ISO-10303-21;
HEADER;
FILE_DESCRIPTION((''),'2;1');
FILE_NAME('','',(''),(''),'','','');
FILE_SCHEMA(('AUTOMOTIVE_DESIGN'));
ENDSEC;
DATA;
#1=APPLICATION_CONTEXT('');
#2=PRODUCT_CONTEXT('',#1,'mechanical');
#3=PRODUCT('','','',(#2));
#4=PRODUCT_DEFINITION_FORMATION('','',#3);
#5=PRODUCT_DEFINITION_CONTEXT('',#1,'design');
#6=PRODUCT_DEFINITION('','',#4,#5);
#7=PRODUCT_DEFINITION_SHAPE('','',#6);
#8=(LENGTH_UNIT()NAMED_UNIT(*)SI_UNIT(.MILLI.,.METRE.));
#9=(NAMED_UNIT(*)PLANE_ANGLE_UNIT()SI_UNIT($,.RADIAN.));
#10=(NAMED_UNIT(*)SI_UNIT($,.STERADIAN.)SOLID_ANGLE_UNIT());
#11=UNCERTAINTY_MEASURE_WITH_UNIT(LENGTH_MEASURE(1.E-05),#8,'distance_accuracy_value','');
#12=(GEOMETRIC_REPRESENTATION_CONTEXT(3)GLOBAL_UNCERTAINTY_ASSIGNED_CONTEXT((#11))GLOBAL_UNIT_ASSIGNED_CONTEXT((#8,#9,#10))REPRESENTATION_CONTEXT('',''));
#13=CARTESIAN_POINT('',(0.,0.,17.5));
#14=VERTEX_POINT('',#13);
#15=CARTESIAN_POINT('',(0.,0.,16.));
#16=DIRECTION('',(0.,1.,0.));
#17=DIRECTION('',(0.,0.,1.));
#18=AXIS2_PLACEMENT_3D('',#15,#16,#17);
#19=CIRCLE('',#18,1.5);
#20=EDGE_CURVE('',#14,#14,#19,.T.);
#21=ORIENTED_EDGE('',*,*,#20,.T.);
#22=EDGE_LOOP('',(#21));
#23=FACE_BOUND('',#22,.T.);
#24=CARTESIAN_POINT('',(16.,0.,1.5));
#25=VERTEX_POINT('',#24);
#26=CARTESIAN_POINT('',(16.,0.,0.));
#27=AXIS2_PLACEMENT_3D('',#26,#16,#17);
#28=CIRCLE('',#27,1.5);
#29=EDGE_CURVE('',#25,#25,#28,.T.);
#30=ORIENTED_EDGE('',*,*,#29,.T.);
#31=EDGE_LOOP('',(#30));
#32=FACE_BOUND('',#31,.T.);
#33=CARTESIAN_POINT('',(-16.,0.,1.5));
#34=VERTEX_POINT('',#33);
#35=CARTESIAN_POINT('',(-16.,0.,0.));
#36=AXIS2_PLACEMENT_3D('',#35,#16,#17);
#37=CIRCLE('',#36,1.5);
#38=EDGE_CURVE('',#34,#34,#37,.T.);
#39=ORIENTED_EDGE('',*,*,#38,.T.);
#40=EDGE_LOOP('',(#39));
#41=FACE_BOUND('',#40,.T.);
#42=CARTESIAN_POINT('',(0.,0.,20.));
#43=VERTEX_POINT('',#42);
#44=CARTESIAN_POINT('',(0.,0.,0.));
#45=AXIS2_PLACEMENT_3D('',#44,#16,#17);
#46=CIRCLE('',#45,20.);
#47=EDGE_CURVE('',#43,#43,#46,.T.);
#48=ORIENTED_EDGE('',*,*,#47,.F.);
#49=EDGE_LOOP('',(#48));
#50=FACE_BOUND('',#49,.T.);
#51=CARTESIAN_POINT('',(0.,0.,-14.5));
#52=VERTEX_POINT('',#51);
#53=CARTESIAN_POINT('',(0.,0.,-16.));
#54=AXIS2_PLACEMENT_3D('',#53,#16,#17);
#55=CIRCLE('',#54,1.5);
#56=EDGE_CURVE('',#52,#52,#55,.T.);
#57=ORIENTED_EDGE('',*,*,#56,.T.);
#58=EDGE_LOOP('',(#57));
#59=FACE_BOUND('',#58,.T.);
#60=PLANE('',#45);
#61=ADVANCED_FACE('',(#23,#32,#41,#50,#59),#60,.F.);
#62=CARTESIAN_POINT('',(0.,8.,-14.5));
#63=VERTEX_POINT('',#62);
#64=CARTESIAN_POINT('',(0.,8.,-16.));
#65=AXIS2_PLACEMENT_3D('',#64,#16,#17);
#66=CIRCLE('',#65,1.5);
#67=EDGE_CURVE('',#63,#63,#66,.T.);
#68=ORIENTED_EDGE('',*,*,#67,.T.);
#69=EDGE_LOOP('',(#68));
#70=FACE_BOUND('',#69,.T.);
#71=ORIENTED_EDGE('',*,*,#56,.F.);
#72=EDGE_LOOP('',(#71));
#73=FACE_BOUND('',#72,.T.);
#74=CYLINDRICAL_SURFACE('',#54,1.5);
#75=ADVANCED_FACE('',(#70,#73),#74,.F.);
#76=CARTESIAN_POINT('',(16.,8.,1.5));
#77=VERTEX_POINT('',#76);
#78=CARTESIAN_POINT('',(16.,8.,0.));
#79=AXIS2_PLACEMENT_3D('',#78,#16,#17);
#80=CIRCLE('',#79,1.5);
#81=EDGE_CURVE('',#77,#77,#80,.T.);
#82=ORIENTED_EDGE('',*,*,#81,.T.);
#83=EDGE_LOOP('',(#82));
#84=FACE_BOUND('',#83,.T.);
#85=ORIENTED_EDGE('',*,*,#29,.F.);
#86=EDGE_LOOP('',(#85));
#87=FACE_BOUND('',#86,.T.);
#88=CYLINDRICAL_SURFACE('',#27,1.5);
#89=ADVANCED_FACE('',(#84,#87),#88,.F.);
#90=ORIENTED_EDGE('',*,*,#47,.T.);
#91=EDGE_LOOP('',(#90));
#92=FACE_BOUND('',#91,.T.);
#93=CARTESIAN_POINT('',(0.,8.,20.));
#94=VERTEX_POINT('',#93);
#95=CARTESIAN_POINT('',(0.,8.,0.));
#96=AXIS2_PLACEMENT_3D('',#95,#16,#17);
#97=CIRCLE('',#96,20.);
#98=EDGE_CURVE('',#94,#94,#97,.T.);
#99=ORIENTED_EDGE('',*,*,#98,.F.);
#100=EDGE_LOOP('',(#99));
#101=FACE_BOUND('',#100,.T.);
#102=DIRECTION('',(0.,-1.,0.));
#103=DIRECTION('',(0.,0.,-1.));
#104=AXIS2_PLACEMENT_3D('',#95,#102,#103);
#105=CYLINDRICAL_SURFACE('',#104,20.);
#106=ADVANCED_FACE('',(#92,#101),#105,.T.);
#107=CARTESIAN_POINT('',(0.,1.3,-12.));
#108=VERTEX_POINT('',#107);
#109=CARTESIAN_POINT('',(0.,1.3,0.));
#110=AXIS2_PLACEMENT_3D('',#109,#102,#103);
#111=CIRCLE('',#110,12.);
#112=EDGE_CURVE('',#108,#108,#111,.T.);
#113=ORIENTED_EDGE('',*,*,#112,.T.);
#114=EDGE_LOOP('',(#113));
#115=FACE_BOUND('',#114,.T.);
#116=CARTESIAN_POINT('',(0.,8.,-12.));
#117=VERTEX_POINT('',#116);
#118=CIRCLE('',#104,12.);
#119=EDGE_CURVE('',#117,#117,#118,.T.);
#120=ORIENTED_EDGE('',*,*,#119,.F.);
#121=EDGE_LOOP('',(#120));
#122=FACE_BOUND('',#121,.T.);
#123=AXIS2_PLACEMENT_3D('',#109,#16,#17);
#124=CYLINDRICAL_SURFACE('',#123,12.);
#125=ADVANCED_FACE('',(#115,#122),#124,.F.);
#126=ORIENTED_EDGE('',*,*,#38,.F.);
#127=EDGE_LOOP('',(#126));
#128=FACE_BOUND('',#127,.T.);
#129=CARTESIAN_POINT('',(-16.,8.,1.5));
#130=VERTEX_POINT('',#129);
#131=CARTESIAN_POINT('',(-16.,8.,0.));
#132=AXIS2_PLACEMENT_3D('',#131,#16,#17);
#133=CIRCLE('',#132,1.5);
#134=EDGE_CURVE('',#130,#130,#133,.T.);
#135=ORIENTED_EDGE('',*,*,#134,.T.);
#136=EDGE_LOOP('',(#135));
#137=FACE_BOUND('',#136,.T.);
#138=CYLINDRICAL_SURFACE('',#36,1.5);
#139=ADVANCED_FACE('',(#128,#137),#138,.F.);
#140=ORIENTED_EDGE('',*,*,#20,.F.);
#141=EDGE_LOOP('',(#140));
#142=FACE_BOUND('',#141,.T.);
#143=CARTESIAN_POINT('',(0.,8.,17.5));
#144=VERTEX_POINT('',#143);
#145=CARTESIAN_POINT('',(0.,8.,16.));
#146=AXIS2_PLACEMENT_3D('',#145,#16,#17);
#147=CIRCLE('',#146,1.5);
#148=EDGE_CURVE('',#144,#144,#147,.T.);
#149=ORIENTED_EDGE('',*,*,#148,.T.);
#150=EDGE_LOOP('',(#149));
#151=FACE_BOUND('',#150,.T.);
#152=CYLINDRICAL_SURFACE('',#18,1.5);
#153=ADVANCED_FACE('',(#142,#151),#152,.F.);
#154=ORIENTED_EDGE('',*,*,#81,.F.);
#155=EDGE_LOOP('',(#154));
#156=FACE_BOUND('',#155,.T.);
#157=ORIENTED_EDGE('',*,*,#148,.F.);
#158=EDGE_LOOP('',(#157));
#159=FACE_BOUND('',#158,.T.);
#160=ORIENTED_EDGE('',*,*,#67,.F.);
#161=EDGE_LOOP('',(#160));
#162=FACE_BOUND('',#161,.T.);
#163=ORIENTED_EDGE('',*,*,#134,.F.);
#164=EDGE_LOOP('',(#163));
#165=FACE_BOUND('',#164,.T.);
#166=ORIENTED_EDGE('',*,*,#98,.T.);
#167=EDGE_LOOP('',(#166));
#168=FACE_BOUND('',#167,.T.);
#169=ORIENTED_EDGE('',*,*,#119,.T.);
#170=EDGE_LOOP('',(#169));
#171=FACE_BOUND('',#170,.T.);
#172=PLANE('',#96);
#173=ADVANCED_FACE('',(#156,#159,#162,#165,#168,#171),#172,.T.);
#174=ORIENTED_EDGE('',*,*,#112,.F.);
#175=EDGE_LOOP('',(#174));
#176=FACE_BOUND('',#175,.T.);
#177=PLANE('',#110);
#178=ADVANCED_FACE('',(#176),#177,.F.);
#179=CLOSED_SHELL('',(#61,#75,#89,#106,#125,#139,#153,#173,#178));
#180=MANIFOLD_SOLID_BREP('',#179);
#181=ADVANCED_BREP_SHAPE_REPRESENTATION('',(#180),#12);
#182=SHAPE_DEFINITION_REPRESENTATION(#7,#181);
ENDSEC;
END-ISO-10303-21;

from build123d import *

# Parameters (mm, degrees)
SKETCH2_R           = 20
BOSS_EXTRUDE1_DEPTH = 8
SKETCH3_R           = 1.5
CUT_EXTRUDE1_DEPTH  = 30.393876913
SKETCH4_R           = 12
CUT_EXTRUDE2_DEPTH  = 6.7


with BuildPart() as part:
    # Sketch2 → Boss-Extrude1 (new body)
    with BuildSketch(Plane(origin=(0, 0, 0), x_dir=(1, 0, 0), z_dir=(0, 1, 0))):
        with Locations(Location((0, 0, 0), (0, 0, 270))):
            Circle(SKETCH2_R)
    extrude(amount=BOSS_EXTRUDE1_DEPTH)

    # Sketch3 → Cut-Extrude1 (cut, through all)
    with BuildSketch(Plane(origin=(0, 8, 0), x_dir=(1, 0, 0), z_dir=(0, 1, 0))):
        with Locations(Location((0, 16, 0), (0, 0, 270))):
            Circle(SKETCH3_R)
        with Locations(Location((-16, 0, 0), (0, 0, 270))):
            Circle(SKETCH3_R)
        with Locations(Location((16, 0, 0), (0, 0, 270))):
            Circle(SKETCH3_R)
        with Locations(Location((0, -16, 0), (0, 0, 270))):
            Circle(SKETCH3_R)
    extrude(amount=-CUT_EXTRUDE1_DEPTH, mode=Mode.SUBTRACT)

    # Sketch4 → Cut-Extrude2 (cut)
    with BuildSketch(Plane(origin=(0, 8, -8), x_dir=(1, 0, 0), z_dir=(0, -1, 0))):
        with Locations(Location((0, 8, 0), (0, 0, 270))):
            Circle(SKETCH4_R)
    extrude(amount=CUT_EXTRUDE2_DEPTH, mode=Mode.SUBTRACT)


solid = part.part
